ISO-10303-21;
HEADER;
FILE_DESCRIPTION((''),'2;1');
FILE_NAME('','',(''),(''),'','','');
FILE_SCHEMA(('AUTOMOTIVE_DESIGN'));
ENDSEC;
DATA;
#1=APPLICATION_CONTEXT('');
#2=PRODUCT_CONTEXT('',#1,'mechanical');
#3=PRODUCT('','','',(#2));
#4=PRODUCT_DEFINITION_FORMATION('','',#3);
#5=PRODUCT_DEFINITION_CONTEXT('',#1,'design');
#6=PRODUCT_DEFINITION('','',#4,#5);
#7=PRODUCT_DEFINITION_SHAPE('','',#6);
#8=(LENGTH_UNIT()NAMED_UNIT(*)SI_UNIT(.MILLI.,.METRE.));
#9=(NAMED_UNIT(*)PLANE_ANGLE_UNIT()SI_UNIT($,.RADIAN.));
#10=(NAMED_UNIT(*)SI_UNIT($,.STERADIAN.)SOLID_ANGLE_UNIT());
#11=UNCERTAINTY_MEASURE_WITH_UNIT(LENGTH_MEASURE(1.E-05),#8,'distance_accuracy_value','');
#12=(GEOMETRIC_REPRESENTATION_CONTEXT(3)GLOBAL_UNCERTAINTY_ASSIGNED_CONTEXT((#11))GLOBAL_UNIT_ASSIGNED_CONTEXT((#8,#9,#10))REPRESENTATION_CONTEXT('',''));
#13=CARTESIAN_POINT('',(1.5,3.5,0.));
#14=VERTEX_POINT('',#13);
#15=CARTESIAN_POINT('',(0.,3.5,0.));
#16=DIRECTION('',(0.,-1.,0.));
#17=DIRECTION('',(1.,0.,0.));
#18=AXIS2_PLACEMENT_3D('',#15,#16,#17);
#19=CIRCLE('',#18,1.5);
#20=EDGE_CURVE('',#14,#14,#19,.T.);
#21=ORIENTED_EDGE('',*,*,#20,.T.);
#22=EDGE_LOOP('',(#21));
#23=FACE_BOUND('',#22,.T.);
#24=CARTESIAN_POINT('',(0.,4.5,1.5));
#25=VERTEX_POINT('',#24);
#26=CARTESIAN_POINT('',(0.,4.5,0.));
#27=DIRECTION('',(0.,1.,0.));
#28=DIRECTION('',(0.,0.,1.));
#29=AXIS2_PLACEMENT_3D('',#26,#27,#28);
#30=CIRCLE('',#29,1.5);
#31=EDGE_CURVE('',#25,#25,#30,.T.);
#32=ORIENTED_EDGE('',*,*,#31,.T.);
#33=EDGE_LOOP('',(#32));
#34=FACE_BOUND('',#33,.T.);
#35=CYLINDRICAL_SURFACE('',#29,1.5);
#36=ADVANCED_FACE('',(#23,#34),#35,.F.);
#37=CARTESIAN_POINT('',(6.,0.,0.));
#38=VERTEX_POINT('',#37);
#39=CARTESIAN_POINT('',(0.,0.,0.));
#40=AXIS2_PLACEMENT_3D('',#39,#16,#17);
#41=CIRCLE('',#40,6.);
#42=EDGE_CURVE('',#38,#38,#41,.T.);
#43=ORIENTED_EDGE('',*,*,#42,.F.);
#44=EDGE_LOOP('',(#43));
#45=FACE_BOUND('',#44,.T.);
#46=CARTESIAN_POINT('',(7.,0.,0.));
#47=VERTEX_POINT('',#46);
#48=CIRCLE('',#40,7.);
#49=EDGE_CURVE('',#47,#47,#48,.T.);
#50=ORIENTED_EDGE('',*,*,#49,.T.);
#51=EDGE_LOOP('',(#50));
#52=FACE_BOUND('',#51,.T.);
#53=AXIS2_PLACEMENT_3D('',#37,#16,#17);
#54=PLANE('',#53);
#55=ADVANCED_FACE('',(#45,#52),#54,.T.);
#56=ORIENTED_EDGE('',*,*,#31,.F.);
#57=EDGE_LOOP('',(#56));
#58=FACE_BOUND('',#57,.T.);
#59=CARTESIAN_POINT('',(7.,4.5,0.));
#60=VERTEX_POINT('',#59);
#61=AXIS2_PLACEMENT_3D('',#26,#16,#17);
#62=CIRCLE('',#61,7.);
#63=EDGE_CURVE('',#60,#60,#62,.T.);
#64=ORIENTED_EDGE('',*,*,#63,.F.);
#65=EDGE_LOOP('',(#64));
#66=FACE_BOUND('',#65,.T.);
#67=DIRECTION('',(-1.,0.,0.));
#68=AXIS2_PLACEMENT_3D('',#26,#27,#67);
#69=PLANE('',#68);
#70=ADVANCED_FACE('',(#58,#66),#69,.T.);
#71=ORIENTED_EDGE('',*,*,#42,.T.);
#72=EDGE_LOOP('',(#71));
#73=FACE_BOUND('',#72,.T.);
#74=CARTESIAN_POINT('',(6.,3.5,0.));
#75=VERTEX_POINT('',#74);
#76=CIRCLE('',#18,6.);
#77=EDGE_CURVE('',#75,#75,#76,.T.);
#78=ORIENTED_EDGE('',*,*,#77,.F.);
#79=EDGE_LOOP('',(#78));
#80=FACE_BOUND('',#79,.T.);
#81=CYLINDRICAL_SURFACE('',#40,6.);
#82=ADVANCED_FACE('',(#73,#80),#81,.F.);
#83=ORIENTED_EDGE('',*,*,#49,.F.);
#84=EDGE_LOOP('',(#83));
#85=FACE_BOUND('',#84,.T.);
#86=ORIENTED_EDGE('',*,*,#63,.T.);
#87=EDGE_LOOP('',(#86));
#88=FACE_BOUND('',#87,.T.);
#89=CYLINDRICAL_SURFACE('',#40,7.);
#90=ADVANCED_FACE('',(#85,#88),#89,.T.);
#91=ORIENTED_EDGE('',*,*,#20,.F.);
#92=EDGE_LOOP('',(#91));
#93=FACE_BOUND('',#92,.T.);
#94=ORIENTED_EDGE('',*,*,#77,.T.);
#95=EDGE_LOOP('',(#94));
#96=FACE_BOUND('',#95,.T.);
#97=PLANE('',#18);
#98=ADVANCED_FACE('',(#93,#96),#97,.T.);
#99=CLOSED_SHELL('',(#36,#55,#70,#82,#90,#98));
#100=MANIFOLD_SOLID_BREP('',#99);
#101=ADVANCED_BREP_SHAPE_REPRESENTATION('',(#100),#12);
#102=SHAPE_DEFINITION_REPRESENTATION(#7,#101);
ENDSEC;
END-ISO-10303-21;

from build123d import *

# Parameters (mm, degrees)
F_3_0MM_DOWEL_HOLE1_D     = 3
F_3_0MM_DOWEL_HOLE1_DEPTH = 7.598709071
F_3_0MM_DOWEL_HOLE1_TIP   = 0.901290929


with BuildPart() as part:
    # Sketch1 → Revolve1 (revolve)
    with BuildSketch(Plane.XY):
        Polygon((0, 4.5), (7, 4.5), (7, 0), (6, 0), (6, 3.5), (0, 3.5), align=None)
    revolve(axis=Axis((0, 0, 0), (0, 1, 0)))

    # Ø3.0mm Dowel Hole1
    with Locations(Plane(origin=(0, 4.5, 0), x_dir=(1, 0, 0), z_dir=(0, 1, 0))):
        with Locations((0, 0)):
            Hole(F_3_0MM_DOWEL_HOLE1_D / 2, depth=F_3_0MM_DOWEL_HOLE1_DEPTH)
            with Locations((0, 0, -(F_3_0MM_DOWEL_HOLE1_DEPTH + F_3_0MM_DOWEL_HOLE1_TIP / 2))):  # 118° drill point
                Cone(0, F_3_0MM_DOWEL_HOLE1_D / 2, F_3_0MM_DOWEL_HOLE1_TIP, mode=Mode.SUBTRACT)


solid = part.part
